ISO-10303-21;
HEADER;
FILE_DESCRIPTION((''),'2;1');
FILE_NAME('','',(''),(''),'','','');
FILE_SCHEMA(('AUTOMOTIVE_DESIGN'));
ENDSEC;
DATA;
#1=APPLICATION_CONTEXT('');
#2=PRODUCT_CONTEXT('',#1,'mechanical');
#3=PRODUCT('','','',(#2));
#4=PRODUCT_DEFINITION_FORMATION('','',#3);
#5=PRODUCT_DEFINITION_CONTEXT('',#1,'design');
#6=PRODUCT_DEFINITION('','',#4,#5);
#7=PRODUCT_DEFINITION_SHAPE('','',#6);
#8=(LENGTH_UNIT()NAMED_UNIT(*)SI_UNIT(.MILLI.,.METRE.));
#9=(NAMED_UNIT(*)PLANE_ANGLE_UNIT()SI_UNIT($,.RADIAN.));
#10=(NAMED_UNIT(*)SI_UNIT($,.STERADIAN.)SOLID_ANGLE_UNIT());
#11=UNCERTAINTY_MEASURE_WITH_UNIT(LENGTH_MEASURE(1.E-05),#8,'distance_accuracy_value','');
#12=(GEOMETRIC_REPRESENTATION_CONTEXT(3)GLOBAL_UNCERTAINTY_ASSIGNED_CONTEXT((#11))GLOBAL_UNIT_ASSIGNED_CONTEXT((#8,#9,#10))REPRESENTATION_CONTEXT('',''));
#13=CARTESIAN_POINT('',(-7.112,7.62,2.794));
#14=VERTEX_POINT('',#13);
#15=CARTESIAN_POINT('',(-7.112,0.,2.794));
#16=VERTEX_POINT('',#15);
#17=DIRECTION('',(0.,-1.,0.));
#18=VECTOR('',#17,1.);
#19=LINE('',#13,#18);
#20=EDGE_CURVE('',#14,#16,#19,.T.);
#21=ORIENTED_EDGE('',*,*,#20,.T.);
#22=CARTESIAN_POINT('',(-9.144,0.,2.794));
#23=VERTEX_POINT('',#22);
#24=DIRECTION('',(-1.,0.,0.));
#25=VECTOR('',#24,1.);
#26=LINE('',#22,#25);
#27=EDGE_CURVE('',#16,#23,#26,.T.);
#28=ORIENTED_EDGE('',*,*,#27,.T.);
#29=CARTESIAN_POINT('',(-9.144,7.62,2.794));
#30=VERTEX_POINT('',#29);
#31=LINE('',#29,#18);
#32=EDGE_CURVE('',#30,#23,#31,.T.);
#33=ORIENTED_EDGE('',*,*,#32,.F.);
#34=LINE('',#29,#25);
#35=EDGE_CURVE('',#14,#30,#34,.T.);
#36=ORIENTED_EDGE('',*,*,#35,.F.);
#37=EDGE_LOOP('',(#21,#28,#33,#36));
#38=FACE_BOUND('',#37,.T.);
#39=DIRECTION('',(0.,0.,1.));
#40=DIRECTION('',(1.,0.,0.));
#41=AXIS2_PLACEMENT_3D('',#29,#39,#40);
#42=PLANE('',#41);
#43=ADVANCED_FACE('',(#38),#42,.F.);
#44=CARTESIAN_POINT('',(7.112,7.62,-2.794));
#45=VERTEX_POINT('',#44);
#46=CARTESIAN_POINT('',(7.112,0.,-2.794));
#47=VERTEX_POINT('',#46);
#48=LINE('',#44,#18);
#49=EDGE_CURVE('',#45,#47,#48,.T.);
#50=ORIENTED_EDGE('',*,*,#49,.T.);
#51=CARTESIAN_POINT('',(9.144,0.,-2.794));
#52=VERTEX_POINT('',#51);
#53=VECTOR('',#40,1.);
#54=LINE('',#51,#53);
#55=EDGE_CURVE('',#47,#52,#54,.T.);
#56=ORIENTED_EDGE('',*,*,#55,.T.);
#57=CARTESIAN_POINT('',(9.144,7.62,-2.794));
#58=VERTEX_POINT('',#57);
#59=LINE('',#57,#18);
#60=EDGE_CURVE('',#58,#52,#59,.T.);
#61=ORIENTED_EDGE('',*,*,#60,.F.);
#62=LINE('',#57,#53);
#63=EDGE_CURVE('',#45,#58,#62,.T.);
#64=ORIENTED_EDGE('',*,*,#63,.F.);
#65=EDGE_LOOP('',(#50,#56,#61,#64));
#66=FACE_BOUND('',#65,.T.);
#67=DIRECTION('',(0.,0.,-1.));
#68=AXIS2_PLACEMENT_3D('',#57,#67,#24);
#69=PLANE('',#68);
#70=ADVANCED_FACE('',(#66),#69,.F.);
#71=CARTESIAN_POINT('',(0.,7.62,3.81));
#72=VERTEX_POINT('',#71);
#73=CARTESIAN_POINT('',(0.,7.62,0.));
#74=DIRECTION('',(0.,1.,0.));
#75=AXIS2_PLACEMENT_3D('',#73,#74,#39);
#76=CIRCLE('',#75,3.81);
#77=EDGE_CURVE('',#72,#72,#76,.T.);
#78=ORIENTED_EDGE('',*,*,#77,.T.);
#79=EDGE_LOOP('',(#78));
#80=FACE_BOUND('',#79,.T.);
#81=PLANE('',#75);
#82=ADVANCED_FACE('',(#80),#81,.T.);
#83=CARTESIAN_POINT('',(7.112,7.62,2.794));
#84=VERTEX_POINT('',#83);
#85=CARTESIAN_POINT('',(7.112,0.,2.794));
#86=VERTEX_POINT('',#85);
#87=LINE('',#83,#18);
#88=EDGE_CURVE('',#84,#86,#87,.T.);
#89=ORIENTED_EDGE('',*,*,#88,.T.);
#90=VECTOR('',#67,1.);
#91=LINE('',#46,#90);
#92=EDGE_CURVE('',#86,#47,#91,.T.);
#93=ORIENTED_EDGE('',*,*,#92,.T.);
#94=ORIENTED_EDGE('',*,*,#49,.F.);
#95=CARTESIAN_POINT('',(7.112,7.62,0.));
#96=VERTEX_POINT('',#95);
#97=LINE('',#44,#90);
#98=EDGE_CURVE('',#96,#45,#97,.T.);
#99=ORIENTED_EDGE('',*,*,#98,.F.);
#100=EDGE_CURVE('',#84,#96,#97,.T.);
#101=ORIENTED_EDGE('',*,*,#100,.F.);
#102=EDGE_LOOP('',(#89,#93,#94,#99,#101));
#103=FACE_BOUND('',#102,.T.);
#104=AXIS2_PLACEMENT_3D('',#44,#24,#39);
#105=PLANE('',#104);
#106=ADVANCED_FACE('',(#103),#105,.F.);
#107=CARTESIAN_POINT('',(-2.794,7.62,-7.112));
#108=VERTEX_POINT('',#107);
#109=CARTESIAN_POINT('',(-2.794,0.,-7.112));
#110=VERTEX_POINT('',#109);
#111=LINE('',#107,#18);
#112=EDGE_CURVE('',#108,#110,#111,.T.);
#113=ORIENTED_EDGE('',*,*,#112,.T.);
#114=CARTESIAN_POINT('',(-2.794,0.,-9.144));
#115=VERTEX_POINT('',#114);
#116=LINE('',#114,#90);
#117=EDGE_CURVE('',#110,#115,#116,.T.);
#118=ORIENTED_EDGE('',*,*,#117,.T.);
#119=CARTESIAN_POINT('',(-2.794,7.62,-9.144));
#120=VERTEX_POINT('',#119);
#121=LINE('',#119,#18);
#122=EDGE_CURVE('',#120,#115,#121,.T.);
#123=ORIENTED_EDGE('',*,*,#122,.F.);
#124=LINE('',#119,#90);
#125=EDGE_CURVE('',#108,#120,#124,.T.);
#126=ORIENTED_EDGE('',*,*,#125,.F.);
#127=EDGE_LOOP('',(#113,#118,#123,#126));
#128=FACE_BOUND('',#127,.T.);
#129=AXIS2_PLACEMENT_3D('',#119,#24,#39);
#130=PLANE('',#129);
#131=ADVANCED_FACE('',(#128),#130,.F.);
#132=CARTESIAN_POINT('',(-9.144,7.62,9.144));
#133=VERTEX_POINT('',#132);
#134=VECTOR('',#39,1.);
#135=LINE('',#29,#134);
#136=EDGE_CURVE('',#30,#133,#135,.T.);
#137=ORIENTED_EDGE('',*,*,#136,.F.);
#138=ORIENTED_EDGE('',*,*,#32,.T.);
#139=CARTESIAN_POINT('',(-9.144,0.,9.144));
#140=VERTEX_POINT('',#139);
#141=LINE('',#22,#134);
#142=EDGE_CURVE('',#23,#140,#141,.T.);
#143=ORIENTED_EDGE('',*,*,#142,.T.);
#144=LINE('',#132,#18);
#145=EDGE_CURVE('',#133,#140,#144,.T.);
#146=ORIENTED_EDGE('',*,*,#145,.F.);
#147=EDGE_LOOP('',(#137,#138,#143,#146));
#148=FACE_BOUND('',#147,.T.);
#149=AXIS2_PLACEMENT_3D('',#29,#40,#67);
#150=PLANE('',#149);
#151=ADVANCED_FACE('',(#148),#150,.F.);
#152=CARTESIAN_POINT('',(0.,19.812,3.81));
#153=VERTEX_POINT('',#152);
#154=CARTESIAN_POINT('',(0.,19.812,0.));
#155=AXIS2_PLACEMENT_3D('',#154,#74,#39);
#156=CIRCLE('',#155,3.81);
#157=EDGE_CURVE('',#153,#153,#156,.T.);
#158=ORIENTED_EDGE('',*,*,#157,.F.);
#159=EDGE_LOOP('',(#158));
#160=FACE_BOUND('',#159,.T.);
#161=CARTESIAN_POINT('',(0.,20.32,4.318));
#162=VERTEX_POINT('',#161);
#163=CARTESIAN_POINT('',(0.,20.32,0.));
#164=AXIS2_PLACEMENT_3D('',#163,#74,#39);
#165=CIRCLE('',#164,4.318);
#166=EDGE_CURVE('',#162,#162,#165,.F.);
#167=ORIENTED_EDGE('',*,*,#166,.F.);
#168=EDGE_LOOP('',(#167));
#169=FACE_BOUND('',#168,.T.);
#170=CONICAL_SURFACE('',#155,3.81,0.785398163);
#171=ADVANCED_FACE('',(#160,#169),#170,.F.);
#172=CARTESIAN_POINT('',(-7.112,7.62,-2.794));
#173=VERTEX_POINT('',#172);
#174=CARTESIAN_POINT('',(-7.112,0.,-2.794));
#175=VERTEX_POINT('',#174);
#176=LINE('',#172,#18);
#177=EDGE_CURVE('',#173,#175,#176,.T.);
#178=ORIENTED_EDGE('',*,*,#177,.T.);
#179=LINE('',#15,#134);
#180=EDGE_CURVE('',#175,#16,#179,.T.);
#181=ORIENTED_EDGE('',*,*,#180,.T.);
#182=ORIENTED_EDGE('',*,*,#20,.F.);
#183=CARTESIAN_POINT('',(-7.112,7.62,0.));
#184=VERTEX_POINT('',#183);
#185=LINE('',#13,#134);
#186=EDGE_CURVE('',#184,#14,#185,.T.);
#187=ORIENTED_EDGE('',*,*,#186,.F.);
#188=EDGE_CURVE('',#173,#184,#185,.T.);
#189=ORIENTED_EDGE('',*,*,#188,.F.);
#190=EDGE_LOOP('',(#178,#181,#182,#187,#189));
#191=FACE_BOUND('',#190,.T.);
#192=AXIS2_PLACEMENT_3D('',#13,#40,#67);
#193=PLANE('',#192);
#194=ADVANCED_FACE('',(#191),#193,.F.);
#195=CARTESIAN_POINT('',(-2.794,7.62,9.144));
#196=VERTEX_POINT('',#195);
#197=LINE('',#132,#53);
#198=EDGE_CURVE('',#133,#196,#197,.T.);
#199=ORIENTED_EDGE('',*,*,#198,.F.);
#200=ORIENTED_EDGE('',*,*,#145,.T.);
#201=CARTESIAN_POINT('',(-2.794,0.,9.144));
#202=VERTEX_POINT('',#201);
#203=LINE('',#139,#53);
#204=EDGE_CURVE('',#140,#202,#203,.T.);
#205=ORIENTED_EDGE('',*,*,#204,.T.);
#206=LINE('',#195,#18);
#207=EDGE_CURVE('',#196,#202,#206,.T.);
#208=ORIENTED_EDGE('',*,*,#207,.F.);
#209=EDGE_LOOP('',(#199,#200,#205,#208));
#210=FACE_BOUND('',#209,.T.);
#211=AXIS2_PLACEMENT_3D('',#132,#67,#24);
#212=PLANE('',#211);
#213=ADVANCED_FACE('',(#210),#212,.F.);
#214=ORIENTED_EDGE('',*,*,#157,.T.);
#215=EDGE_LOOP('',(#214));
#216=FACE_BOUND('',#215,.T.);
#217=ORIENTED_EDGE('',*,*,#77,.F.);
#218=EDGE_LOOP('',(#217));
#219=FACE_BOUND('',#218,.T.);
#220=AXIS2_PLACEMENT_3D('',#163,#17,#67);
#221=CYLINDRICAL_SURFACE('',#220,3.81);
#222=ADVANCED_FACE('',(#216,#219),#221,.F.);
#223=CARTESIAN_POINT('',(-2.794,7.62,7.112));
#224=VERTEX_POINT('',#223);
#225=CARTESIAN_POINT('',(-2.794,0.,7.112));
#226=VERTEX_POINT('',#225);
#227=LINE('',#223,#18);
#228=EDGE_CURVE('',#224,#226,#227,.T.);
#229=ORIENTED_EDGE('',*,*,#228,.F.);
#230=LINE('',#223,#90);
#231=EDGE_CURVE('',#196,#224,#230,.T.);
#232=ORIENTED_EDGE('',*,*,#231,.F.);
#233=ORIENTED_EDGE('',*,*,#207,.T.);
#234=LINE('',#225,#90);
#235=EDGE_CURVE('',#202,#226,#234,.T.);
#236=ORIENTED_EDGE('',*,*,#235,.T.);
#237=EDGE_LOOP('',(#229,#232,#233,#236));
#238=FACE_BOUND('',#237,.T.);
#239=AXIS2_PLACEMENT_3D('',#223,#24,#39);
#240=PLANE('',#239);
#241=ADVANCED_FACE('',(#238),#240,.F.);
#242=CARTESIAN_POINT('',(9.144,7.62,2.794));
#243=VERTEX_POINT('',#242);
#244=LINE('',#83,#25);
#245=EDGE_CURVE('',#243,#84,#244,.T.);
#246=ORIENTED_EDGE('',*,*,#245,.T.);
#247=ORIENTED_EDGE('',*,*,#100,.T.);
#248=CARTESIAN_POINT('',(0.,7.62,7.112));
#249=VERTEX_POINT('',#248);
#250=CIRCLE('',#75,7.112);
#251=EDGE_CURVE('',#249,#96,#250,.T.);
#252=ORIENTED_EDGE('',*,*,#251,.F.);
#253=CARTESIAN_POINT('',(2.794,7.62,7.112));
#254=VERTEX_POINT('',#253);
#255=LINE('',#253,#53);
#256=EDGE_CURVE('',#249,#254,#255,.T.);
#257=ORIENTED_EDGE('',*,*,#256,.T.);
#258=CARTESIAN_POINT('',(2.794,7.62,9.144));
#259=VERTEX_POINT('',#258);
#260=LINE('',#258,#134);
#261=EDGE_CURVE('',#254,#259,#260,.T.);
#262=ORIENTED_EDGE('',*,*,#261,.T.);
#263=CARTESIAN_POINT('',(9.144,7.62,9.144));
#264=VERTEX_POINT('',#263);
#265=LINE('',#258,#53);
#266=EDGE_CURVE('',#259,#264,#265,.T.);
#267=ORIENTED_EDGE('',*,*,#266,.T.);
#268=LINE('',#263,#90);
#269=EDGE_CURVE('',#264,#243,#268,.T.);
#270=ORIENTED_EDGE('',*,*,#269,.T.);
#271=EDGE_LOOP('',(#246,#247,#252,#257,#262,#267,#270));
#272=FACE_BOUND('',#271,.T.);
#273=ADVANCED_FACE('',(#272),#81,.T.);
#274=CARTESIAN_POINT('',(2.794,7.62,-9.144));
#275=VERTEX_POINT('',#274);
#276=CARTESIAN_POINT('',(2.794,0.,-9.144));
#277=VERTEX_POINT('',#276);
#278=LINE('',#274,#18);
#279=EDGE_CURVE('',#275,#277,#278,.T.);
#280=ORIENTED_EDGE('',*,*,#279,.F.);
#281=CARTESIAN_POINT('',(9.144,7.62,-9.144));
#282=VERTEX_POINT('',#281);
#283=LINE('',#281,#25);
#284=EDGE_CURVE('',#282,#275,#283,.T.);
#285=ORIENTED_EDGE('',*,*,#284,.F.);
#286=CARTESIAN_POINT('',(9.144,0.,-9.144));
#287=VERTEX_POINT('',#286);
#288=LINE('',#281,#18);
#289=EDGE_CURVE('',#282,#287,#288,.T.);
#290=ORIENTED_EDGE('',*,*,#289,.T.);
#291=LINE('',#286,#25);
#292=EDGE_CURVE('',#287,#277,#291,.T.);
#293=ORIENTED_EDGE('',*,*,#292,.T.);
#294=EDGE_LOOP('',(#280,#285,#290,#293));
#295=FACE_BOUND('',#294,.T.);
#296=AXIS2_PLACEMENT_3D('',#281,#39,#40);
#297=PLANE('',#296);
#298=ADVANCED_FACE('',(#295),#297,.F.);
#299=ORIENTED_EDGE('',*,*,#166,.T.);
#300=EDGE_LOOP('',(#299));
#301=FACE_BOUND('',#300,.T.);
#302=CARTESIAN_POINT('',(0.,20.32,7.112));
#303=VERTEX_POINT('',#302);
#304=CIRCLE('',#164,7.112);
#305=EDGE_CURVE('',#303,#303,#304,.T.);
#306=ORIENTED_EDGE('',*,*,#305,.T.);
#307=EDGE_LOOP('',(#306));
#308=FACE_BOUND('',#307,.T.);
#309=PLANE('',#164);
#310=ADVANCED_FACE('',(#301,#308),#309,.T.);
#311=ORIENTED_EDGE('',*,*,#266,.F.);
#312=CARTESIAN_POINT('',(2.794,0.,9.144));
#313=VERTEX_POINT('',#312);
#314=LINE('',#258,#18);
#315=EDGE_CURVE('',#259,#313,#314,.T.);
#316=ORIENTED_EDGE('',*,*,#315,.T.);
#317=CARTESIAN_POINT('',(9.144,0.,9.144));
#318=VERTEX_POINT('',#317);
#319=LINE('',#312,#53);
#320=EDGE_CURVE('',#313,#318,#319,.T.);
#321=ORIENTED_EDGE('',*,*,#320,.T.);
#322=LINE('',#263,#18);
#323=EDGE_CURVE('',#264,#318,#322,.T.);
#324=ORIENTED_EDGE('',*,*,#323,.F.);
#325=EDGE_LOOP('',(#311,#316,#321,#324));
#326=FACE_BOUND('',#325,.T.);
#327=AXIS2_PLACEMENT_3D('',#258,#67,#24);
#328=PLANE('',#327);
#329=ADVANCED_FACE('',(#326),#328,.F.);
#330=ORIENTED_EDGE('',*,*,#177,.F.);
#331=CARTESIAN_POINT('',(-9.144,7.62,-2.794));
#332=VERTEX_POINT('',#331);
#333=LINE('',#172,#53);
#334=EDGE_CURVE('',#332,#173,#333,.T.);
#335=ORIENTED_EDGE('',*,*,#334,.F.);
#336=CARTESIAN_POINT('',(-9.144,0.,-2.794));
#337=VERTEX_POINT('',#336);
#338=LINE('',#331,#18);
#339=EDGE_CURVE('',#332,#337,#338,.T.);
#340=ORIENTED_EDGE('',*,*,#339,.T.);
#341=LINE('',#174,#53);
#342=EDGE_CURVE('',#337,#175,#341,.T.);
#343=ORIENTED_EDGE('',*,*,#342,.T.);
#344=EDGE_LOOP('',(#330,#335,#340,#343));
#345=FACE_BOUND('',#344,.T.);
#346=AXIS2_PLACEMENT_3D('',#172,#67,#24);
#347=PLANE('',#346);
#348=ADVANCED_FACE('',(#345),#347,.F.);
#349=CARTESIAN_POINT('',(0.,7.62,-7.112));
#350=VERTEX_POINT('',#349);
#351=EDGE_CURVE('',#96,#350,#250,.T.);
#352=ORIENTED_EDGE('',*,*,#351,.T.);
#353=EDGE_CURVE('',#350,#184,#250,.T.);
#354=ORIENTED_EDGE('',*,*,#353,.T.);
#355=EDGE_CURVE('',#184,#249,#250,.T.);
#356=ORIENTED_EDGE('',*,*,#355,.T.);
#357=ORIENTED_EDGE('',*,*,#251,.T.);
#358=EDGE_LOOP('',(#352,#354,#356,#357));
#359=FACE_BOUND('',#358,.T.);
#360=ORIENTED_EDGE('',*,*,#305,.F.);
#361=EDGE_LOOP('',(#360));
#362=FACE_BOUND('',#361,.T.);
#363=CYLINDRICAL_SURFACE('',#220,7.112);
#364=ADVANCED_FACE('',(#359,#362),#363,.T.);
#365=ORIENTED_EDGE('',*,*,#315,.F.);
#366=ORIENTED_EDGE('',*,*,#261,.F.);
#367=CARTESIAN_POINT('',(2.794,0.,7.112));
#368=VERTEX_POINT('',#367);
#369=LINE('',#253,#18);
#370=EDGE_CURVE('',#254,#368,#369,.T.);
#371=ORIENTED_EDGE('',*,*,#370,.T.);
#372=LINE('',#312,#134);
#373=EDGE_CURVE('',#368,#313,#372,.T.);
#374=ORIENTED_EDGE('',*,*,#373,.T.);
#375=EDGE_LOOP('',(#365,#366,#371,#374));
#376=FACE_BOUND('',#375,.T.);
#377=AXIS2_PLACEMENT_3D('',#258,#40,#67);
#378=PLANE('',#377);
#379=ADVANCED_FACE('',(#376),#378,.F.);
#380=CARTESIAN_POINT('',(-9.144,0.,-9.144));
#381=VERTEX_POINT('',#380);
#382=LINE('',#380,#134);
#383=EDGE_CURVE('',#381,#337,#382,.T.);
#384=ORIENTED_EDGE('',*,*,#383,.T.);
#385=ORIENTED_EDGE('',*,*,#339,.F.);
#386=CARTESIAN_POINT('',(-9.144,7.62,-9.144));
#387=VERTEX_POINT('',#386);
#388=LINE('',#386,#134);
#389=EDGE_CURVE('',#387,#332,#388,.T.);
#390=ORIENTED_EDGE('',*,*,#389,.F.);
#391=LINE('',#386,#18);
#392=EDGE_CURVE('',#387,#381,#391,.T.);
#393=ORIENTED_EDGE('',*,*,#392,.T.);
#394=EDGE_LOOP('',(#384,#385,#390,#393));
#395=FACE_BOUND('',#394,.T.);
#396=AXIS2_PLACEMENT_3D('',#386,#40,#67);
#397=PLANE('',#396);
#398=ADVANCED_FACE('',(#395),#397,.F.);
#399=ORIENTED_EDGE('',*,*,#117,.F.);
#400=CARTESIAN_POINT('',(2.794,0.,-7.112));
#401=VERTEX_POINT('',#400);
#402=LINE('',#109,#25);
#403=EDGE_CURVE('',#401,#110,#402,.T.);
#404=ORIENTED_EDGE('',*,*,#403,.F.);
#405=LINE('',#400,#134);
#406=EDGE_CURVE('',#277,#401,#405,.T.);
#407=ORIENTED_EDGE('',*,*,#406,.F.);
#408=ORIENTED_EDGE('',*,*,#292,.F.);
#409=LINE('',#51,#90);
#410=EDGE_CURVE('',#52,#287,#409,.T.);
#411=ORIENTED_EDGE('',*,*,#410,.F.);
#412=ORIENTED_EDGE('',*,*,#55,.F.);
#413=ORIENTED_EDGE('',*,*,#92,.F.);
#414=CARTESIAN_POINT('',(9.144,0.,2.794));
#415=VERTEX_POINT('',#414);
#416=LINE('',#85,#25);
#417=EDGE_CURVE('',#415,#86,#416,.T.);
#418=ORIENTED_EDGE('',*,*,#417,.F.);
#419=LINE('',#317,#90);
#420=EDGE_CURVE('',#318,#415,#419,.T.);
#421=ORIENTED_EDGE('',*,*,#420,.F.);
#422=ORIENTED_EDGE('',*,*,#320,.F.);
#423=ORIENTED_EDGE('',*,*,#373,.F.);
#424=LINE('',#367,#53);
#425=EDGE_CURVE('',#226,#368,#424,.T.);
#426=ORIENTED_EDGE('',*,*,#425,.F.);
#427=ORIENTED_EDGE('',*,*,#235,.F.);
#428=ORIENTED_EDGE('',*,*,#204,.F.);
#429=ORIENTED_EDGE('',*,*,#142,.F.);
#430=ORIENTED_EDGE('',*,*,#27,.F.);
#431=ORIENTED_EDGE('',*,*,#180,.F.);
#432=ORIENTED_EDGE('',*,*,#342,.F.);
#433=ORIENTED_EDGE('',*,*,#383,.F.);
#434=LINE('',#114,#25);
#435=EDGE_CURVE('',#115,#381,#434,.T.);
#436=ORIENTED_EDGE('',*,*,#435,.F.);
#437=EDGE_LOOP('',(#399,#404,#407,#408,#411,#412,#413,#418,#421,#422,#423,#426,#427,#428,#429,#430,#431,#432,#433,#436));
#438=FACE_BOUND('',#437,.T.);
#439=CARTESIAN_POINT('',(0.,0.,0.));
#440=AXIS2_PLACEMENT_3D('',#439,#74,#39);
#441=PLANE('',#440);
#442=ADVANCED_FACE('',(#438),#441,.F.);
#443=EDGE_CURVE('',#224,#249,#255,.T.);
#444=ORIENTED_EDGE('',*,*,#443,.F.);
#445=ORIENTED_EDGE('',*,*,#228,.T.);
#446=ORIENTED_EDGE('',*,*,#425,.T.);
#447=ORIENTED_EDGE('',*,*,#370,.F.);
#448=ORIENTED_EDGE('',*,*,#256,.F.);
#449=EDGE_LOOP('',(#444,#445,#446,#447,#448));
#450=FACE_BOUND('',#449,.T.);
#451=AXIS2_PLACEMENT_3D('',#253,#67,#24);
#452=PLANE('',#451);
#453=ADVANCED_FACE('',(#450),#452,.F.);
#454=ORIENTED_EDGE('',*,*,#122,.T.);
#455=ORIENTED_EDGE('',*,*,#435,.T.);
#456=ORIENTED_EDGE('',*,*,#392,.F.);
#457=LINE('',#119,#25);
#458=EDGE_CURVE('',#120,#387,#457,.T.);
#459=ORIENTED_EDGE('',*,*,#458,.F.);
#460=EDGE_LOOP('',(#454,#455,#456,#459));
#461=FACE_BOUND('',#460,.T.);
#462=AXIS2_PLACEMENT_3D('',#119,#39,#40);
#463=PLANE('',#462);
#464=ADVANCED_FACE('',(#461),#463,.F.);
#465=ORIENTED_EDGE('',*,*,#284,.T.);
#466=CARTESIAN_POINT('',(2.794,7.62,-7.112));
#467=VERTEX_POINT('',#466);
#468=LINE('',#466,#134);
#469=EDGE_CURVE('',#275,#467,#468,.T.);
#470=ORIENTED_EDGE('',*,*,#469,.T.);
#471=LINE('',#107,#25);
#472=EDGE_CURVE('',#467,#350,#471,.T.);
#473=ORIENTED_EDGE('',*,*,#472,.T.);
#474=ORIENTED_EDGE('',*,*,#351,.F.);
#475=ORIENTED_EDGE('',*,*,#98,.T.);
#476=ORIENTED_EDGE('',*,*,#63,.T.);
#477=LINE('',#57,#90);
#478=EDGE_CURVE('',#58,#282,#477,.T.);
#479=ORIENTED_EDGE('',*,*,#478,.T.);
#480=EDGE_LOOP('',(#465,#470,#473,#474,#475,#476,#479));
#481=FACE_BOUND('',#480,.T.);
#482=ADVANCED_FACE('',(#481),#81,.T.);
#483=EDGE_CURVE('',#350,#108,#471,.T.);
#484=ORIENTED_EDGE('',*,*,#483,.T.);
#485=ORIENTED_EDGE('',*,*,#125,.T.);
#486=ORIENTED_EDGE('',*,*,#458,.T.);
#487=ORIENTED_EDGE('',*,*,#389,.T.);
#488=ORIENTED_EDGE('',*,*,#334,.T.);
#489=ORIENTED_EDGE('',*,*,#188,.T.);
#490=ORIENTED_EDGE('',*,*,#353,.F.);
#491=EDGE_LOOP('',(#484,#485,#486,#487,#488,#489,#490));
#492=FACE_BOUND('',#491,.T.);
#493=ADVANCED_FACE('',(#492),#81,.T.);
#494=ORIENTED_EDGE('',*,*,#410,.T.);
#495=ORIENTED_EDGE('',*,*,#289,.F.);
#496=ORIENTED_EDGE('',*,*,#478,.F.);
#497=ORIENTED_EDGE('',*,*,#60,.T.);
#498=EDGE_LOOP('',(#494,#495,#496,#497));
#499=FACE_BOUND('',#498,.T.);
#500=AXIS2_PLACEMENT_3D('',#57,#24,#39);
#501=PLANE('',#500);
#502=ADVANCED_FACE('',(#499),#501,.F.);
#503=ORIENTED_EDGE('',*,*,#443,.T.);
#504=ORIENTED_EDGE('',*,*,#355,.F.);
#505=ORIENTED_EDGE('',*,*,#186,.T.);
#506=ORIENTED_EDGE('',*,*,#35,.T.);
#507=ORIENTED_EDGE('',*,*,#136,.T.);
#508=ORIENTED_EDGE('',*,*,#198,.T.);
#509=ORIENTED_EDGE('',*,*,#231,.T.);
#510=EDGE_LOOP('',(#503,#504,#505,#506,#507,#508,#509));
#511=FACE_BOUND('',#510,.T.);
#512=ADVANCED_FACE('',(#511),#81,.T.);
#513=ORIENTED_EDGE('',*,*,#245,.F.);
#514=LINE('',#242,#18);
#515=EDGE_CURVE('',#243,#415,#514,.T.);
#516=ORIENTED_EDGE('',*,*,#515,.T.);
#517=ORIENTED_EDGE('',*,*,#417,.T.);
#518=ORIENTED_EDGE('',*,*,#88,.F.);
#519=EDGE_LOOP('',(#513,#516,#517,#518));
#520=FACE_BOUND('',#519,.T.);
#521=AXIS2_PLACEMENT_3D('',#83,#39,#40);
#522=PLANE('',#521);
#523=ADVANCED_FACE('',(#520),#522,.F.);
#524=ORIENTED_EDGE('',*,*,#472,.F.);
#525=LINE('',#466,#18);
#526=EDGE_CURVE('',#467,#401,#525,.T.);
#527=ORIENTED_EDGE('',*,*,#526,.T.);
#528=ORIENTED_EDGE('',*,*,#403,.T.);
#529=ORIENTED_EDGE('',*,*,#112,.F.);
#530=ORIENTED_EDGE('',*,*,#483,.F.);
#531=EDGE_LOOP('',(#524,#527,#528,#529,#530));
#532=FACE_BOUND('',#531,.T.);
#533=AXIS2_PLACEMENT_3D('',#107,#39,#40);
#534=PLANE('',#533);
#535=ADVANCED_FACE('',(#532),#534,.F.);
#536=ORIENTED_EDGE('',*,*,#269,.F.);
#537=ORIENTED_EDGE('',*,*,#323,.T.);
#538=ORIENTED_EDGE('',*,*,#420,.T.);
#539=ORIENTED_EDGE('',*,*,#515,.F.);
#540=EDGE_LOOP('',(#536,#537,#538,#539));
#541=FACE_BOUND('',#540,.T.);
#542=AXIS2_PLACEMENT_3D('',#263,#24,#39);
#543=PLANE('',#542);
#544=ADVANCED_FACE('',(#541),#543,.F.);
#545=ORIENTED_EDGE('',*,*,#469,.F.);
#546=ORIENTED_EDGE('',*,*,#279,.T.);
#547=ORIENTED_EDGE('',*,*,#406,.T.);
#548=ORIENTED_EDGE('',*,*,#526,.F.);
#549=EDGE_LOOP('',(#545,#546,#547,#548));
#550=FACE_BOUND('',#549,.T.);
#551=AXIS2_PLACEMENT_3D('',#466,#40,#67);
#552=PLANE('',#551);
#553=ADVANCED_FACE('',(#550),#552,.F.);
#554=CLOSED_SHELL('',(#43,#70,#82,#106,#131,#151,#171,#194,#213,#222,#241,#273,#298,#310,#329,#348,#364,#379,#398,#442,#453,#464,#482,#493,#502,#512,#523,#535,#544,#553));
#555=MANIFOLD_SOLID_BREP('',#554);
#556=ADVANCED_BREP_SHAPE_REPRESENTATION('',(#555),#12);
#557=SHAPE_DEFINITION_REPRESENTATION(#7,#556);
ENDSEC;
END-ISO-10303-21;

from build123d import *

# Parameters (mm, degrees)
BOSS_EXTRUDE1_DEPTH = 7.62
SKETCH2_R           = 7.112
SKETCH2_R_2         = 3.81
BOSS_EXTRUDE2_DEPTH = 12.7
CHAMFER1_SIZE       = 0.508


with BuildPart() as part:
    # Sketch1 → Boss-Extrude1 (new body)
    with BuildSketch(Plane(origin=(0, 0, 0), x_dir=(1, 0, 0), z_dir=(0, 1, 0))):
        Polygon((9.144, 2.794), (7.112, 2.794), (7.112, -2.794), (9.144, -2.794), (9.144, -9.144), (2.794, -9.144), (2.794, -7.112), (-2.794, -7.112), (-2.794, -9.144), (-9.144, -9.144), (-9.144, -2.794), (-7.112, -2.794), (-7.112, 2.794), (-9.144, 2.794), (-9.144, 9.144), (-2.794, 9.144), (-2.794, 7.112), (2.794, 7.112), (2.794, 9.144), (9.144, 9.144), align=None)
    extrude(amount=BOSS_EXTRUDE1_DEPTH)

    # Sketch2 → Boss-Extrude2 (add)
    with BuildSketch(Plane(origin=(0, 7.62, 0), x_dir=(1, 0, 0), z_dir=(0, 1, 0))):
        with Locations(Location((0, 0, 0), (0, 0, 270))):
            Circle(SKETCH2_R)
        with Locations(Location((0, 0, 0), (0, 0, 270))):
            Circle(SKETCH2_R_2, mode=Mode.SUBTRACT)
    extrude(amount=BOSS_EXTRUDE2_DEPTH)

    # Chamfer1
    chamfer1_edges = [part.edges().sort_by_distance(p)[0] for p in [
        (0, 20.32, -3.81),
    ]]
    chamfer(chamfer1_edges, length=CHAMFER1_SIZE)


solid = part.part
